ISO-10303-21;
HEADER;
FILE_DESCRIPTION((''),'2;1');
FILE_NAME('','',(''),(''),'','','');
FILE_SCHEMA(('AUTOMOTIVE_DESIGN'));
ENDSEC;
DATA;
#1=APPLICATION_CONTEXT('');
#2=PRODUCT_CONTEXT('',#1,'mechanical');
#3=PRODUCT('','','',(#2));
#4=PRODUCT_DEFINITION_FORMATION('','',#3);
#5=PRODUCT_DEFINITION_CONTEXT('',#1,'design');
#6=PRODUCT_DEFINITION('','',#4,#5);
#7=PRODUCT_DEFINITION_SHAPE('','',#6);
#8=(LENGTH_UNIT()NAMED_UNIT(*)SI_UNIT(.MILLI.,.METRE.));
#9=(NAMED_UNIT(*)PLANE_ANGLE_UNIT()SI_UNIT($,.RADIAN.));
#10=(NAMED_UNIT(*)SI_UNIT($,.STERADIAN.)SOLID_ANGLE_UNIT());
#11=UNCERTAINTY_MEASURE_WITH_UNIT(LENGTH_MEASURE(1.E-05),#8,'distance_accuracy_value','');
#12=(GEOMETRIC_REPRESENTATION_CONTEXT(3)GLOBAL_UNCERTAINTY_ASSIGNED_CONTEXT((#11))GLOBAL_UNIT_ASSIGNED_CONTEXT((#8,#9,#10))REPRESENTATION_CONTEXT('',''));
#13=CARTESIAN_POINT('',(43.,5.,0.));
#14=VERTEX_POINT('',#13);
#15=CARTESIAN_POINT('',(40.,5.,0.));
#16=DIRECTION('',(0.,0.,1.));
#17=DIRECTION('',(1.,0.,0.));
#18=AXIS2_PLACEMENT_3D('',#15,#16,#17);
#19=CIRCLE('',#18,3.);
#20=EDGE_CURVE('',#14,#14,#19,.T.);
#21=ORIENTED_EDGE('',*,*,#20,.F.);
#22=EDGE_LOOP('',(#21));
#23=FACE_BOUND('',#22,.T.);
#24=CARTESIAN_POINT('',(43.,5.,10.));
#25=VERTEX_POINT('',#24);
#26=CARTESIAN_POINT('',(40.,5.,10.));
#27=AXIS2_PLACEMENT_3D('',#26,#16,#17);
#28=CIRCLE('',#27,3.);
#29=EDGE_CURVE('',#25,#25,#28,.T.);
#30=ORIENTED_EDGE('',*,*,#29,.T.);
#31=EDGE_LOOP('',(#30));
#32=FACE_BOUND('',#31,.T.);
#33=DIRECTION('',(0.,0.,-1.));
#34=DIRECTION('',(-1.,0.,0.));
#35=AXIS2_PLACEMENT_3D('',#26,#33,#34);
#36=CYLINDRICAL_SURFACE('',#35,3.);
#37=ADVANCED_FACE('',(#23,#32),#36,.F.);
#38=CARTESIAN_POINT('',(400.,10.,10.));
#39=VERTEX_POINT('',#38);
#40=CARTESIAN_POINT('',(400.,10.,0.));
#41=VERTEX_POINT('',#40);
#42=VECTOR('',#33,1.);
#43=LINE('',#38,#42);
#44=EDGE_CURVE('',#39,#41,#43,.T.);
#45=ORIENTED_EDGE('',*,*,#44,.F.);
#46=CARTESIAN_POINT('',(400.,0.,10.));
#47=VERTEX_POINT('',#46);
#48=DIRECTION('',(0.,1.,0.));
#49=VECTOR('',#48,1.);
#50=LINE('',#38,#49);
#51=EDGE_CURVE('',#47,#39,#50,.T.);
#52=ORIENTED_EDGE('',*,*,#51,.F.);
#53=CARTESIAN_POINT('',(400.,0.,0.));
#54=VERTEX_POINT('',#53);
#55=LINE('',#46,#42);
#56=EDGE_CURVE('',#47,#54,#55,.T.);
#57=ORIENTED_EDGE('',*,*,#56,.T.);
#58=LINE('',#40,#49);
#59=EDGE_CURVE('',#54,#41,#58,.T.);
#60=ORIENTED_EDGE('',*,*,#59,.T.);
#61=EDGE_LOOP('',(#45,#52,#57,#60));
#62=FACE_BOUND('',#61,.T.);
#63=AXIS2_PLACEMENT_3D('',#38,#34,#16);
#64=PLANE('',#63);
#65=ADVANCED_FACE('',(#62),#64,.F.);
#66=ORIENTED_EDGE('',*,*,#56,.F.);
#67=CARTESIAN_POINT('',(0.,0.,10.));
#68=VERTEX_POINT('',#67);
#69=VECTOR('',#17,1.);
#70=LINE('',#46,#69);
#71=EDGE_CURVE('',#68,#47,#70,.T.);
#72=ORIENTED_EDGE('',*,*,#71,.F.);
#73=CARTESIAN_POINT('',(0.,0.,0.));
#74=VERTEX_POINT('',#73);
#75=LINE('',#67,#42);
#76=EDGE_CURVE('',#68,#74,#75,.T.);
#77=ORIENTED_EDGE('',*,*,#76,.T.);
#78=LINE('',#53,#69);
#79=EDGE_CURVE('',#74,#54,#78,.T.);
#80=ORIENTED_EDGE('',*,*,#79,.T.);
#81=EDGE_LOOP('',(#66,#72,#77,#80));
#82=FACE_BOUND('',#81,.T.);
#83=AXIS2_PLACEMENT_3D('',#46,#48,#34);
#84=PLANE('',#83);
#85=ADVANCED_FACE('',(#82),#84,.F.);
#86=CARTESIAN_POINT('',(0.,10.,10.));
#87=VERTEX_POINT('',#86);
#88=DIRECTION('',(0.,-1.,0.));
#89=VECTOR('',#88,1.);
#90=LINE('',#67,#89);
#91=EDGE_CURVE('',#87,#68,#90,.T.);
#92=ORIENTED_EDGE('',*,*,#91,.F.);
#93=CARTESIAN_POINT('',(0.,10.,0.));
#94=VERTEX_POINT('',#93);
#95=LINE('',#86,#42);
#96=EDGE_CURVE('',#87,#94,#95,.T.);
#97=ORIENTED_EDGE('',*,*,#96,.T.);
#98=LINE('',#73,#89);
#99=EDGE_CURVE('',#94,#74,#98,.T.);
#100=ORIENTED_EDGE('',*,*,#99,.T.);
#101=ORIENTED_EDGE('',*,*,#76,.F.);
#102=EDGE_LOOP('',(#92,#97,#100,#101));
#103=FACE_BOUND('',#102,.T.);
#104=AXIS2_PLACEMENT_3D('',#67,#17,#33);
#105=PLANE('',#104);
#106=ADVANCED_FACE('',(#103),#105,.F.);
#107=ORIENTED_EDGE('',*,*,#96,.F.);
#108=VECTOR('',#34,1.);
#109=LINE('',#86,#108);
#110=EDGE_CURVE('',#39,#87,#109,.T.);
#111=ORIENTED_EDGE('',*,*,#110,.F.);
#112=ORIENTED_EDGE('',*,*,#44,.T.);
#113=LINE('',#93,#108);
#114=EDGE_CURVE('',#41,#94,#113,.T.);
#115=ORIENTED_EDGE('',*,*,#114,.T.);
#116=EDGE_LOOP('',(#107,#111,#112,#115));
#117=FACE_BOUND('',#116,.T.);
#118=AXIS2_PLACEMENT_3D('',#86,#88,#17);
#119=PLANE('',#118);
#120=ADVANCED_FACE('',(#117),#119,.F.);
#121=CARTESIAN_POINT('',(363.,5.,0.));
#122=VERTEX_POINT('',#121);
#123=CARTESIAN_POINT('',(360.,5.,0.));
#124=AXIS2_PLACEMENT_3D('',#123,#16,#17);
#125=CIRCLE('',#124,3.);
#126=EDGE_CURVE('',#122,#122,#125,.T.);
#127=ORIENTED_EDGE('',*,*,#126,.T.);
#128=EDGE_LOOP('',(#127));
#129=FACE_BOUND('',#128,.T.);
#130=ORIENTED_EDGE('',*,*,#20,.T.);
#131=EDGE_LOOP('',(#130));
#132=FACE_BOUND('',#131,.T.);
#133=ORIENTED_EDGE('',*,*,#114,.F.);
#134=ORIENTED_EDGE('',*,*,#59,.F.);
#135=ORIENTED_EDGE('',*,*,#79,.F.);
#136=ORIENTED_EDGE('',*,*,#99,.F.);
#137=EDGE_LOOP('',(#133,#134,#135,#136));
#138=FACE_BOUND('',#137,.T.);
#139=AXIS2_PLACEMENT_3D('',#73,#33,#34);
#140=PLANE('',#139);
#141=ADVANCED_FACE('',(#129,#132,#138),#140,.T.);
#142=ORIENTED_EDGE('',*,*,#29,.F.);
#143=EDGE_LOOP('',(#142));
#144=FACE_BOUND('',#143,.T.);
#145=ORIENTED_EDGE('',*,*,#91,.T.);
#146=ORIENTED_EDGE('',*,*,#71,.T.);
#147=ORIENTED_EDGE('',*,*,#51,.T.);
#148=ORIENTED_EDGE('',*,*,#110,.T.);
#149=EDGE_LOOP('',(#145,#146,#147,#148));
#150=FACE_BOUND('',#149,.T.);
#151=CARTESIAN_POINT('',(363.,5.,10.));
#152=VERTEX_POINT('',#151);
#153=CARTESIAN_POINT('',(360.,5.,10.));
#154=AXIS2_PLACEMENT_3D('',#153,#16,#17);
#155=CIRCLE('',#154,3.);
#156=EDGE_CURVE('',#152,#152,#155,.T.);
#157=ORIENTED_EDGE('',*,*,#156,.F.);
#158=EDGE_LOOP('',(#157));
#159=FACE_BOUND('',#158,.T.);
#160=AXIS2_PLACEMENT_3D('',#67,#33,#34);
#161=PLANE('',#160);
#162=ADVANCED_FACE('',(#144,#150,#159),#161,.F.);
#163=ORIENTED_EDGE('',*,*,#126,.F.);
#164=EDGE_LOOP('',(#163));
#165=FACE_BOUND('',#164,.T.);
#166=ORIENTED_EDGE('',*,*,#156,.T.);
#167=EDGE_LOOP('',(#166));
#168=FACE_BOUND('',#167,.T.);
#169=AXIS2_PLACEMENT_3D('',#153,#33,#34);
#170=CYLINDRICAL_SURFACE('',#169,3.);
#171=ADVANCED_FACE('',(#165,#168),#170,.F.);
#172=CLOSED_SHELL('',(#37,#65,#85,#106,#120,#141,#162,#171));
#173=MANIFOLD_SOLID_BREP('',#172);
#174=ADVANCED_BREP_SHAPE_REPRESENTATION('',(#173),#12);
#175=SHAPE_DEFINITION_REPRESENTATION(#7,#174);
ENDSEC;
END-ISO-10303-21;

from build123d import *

# Parameters (mm, degrees)
CROQUIS1_W              = 400
CROQUIS1_H              = 10
CROQUIS1_R              = 3
SALIENTE_EXTRUIR1_DEPTH = 10


with BuildPart() as part:
    # Croquis1 → Saliente-Extruir1 (new body)
    with BuildSketch(Plane.XY):
        with Locations((200, 5)):
            Rectangle(CROQUIS1_W, CROQUIS1_H)
        with Locations((40, 5)):
            Circle(CROQUIS1_R, mode=Mode.SUBTRACT)
        with Locations((360, 5)):
            Circle(CROQUIS1_R, mode=Mode.SUBTRACT)
    extrude(amount=SALIENTE_EXTRUIR1_DEPTH)


solid = part.part
